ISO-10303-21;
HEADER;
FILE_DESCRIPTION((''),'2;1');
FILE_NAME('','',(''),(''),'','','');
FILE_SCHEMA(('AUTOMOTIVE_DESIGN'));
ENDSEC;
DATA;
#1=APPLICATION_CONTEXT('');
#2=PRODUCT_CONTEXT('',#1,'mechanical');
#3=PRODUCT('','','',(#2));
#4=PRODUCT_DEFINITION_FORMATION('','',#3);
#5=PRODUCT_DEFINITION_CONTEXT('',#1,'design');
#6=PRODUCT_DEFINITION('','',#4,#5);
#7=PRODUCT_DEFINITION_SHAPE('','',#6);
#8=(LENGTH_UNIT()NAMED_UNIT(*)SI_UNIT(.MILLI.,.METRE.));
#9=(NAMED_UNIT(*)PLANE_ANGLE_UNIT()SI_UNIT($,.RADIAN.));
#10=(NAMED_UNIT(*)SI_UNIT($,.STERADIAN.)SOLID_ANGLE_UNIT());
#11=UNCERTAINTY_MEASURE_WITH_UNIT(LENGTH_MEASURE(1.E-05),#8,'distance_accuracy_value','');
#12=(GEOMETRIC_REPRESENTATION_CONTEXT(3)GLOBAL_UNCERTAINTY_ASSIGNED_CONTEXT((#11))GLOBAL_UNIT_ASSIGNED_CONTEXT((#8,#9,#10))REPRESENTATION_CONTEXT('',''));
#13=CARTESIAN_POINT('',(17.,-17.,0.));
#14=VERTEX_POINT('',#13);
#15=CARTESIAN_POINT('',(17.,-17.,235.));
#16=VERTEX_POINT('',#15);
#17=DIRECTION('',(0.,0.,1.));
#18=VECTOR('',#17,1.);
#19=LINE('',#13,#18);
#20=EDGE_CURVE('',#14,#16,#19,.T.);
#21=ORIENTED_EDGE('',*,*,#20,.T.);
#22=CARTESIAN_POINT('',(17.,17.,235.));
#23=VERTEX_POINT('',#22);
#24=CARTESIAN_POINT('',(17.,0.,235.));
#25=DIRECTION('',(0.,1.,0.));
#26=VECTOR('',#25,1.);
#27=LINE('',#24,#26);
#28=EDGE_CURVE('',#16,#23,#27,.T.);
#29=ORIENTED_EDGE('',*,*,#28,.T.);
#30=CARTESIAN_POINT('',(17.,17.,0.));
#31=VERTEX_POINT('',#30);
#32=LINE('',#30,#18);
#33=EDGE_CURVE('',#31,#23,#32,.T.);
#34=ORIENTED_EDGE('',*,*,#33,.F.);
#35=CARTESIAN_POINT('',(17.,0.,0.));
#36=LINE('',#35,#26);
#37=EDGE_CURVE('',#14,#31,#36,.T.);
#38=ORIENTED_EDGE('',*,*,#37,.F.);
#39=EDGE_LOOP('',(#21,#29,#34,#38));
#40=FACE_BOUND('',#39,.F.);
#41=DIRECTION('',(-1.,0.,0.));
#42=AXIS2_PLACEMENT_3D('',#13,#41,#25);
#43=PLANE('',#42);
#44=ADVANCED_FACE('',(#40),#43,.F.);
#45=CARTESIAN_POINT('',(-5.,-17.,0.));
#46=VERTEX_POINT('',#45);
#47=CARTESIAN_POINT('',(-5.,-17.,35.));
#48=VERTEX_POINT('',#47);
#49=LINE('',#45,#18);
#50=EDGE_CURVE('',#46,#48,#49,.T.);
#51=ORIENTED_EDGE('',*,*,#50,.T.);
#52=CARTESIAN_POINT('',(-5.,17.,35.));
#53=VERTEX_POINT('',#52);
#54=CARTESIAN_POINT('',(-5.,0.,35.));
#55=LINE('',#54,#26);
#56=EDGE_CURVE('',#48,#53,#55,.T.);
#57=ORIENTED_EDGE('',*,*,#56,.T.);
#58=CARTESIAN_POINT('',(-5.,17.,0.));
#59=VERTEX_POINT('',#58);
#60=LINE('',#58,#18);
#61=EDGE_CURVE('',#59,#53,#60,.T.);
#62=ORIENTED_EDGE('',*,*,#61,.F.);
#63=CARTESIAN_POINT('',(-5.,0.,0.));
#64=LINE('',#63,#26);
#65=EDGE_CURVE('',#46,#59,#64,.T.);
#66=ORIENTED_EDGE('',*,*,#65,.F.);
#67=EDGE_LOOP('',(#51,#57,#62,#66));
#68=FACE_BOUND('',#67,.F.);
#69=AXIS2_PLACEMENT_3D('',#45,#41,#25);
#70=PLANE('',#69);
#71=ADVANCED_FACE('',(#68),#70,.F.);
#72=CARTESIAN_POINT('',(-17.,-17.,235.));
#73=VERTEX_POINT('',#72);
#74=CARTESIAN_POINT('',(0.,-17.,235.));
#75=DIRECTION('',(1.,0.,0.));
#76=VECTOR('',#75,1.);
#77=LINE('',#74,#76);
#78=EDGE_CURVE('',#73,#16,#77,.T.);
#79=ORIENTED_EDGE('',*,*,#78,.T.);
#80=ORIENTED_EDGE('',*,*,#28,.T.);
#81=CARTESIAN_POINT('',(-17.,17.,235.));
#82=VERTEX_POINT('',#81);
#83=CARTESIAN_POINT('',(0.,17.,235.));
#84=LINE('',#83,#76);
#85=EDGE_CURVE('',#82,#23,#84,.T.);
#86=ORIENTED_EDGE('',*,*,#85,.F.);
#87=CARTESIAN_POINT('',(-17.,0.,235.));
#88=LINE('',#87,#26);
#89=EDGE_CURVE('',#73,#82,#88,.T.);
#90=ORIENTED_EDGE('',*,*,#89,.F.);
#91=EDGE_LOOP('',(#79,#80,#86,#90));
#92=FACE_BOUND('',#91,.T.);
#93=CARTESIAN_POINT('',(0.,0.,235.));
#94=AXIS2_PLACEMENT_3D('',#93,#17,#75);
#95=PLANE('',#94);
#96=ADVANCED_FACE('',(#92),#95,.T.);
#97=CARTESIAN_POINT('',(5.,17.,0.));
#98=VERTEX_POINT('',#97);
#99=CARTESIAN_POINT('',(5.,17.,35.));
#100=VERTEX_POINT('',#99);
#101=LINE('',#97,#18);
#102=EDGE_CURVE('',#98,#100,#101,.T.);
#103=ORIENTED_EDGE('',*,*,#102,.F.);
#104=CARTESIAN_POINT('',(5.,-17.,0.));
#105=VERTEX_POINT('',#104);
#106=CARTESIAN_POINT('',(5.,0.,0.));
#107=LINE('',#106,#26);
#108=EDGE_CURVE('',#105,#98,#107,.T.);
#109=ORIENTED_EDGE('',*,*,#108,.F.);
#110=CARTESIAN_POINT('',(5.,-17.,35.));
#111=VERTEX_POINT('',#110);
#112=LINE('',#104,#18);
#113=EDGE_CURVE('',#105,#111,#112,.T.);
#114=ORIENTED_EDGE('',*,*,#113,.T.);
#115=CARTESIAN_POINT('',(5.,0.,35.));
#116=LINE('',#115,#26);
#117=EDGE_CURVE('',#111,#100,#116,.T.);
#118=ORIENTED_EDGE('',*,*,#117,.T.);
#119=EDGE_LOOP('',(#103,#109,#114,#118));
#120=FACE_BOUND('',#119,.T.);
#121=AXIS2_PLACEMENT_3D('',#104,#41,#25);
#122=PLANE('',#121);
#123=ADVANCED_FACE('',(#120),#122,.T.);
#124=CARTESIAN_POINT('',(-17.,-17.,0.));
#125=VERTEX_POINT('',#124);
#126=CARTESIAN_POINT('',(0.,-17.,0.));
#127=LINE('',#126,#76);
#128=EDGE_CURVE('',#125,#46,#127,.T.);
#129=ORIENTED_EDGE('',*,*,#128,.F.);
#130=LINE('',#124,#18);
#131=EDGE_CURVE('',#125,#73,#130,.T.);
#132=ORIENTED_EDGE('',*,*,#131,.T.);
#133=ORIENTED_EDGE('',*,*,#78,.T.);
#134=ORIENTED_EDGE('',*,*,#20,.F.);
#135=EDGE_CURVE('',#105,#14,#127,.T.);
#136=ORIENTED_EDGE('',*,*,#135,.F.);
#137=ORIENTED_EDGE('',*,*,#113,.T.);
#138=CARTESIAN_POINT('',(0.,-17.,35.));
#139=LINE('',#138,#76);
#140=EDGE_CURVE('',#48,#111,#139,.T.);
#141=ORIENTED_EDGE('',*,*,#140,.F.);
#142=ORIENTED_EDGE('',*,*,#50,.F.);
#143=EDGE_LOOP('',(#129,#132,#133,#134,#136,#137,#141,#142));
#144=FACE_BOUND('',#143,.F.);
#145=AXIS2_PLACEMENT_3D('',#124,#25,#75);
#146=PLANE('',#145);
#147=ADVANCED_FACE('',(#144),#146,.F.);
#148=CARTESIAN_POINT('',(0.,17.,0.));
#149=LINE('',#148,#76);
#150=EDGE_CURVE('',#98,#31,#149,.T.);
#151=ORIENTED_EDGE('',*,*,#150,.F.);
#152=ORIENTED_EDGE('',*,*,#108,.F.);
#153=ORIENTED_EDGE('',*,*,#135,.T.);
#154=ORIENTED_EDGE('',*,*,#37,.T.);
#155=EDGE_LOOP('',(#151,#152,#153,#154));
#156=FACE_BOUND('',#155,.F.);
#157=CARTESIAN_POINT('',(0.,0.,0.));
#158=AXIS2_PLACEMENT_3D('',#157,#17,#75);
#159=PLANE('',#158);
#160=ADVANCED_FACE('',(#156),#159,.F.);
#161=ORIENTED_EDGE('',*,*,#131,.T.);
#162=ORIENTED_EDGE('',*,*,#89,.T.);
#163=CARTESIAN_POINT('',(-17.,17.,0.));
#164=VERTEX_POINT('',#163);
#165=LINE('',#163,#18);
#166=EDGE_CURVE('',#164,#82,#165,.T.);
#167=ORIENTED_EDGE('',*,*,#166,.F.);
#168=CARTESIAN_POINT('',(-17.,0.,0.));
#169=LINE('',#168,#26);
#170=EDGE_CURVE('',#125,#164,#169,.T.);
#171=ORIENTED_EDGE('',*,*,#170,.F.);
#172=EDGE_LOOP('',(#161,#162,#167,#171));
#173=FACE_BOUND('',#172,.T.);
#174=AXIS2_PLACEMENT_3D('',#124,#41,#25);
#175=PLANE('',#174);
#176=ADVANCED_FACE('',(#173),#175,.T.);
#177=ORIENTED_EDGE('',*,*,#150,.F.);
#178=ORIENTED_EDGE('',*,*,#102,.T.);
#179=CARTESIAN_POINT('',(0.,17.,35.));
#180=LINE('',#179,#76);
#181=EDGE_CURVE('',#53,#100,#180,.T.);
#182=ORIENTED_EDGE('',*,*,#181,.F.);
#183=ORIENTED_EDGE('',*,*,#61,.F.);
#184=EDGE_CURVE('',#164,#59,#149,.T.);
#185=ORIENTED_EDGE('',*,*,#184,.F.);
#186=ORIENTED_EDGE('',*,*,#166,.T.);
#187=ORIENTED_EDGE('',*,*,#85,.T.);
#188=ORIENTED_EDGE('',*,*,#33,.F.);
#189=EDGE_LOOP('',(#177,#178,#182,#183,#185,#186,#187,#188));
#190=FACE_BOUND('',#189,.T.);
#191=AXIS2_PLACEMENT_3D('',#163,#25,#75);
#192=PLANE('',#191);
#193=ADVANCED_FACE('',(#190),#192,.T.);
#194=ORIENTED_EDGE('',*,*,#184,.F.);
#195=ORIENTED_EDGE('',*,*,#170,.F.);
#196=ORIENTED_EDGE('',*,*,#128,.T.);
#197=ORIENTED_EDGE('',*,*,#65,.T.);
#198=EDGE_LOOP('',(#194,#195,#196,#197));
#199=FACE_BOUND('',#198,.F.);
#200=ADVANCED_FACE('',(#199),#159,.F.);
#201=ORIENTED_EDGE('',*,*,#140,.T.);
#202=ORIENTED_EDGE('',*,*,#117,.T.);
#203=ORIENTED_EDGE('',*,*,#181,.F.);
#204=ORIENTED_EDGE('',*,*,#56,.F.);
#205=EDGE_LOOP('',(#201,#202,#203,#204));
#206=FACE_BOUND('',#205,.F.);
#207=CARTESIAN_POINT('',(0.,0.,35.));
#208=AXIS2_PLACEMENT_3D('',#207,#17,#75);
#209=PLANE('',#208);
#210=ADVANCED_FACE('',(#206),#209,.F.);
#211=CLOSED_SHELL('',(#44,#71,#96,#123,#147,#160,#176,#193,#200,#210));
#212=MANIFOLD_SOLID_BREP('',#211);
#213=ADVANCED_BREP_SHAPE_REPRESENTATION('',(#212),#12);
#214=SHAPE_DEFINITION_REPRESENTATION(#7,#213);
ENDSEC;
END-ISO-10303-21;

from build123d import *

# Parameters (mm, degrees)
SKETCH_W     = 34
SKETCH_H     = 34
PAD_DEPTH    = 235
SKETCH001_W  = 10
SKETCH001_H  = 34
POCKET_DEPTH = 35


with BuildPart() as part:
    # Sketch → Pad (new body)
    with BuildSketch(Plane.XY):
        Rectangle(SKETCH_W, SKETCH_H)
    extrude(amount=PAD_DEPTH)

    # Sketch001 → Pocket (cut)
    with BuildSketch(Plane.XY):
        Rectangle(SKETCH001_W, SKETCH001_H)
    extrude(amount=POCKET_DEPTH, mode=Mode.SUBTRACT)


solid = part.part
